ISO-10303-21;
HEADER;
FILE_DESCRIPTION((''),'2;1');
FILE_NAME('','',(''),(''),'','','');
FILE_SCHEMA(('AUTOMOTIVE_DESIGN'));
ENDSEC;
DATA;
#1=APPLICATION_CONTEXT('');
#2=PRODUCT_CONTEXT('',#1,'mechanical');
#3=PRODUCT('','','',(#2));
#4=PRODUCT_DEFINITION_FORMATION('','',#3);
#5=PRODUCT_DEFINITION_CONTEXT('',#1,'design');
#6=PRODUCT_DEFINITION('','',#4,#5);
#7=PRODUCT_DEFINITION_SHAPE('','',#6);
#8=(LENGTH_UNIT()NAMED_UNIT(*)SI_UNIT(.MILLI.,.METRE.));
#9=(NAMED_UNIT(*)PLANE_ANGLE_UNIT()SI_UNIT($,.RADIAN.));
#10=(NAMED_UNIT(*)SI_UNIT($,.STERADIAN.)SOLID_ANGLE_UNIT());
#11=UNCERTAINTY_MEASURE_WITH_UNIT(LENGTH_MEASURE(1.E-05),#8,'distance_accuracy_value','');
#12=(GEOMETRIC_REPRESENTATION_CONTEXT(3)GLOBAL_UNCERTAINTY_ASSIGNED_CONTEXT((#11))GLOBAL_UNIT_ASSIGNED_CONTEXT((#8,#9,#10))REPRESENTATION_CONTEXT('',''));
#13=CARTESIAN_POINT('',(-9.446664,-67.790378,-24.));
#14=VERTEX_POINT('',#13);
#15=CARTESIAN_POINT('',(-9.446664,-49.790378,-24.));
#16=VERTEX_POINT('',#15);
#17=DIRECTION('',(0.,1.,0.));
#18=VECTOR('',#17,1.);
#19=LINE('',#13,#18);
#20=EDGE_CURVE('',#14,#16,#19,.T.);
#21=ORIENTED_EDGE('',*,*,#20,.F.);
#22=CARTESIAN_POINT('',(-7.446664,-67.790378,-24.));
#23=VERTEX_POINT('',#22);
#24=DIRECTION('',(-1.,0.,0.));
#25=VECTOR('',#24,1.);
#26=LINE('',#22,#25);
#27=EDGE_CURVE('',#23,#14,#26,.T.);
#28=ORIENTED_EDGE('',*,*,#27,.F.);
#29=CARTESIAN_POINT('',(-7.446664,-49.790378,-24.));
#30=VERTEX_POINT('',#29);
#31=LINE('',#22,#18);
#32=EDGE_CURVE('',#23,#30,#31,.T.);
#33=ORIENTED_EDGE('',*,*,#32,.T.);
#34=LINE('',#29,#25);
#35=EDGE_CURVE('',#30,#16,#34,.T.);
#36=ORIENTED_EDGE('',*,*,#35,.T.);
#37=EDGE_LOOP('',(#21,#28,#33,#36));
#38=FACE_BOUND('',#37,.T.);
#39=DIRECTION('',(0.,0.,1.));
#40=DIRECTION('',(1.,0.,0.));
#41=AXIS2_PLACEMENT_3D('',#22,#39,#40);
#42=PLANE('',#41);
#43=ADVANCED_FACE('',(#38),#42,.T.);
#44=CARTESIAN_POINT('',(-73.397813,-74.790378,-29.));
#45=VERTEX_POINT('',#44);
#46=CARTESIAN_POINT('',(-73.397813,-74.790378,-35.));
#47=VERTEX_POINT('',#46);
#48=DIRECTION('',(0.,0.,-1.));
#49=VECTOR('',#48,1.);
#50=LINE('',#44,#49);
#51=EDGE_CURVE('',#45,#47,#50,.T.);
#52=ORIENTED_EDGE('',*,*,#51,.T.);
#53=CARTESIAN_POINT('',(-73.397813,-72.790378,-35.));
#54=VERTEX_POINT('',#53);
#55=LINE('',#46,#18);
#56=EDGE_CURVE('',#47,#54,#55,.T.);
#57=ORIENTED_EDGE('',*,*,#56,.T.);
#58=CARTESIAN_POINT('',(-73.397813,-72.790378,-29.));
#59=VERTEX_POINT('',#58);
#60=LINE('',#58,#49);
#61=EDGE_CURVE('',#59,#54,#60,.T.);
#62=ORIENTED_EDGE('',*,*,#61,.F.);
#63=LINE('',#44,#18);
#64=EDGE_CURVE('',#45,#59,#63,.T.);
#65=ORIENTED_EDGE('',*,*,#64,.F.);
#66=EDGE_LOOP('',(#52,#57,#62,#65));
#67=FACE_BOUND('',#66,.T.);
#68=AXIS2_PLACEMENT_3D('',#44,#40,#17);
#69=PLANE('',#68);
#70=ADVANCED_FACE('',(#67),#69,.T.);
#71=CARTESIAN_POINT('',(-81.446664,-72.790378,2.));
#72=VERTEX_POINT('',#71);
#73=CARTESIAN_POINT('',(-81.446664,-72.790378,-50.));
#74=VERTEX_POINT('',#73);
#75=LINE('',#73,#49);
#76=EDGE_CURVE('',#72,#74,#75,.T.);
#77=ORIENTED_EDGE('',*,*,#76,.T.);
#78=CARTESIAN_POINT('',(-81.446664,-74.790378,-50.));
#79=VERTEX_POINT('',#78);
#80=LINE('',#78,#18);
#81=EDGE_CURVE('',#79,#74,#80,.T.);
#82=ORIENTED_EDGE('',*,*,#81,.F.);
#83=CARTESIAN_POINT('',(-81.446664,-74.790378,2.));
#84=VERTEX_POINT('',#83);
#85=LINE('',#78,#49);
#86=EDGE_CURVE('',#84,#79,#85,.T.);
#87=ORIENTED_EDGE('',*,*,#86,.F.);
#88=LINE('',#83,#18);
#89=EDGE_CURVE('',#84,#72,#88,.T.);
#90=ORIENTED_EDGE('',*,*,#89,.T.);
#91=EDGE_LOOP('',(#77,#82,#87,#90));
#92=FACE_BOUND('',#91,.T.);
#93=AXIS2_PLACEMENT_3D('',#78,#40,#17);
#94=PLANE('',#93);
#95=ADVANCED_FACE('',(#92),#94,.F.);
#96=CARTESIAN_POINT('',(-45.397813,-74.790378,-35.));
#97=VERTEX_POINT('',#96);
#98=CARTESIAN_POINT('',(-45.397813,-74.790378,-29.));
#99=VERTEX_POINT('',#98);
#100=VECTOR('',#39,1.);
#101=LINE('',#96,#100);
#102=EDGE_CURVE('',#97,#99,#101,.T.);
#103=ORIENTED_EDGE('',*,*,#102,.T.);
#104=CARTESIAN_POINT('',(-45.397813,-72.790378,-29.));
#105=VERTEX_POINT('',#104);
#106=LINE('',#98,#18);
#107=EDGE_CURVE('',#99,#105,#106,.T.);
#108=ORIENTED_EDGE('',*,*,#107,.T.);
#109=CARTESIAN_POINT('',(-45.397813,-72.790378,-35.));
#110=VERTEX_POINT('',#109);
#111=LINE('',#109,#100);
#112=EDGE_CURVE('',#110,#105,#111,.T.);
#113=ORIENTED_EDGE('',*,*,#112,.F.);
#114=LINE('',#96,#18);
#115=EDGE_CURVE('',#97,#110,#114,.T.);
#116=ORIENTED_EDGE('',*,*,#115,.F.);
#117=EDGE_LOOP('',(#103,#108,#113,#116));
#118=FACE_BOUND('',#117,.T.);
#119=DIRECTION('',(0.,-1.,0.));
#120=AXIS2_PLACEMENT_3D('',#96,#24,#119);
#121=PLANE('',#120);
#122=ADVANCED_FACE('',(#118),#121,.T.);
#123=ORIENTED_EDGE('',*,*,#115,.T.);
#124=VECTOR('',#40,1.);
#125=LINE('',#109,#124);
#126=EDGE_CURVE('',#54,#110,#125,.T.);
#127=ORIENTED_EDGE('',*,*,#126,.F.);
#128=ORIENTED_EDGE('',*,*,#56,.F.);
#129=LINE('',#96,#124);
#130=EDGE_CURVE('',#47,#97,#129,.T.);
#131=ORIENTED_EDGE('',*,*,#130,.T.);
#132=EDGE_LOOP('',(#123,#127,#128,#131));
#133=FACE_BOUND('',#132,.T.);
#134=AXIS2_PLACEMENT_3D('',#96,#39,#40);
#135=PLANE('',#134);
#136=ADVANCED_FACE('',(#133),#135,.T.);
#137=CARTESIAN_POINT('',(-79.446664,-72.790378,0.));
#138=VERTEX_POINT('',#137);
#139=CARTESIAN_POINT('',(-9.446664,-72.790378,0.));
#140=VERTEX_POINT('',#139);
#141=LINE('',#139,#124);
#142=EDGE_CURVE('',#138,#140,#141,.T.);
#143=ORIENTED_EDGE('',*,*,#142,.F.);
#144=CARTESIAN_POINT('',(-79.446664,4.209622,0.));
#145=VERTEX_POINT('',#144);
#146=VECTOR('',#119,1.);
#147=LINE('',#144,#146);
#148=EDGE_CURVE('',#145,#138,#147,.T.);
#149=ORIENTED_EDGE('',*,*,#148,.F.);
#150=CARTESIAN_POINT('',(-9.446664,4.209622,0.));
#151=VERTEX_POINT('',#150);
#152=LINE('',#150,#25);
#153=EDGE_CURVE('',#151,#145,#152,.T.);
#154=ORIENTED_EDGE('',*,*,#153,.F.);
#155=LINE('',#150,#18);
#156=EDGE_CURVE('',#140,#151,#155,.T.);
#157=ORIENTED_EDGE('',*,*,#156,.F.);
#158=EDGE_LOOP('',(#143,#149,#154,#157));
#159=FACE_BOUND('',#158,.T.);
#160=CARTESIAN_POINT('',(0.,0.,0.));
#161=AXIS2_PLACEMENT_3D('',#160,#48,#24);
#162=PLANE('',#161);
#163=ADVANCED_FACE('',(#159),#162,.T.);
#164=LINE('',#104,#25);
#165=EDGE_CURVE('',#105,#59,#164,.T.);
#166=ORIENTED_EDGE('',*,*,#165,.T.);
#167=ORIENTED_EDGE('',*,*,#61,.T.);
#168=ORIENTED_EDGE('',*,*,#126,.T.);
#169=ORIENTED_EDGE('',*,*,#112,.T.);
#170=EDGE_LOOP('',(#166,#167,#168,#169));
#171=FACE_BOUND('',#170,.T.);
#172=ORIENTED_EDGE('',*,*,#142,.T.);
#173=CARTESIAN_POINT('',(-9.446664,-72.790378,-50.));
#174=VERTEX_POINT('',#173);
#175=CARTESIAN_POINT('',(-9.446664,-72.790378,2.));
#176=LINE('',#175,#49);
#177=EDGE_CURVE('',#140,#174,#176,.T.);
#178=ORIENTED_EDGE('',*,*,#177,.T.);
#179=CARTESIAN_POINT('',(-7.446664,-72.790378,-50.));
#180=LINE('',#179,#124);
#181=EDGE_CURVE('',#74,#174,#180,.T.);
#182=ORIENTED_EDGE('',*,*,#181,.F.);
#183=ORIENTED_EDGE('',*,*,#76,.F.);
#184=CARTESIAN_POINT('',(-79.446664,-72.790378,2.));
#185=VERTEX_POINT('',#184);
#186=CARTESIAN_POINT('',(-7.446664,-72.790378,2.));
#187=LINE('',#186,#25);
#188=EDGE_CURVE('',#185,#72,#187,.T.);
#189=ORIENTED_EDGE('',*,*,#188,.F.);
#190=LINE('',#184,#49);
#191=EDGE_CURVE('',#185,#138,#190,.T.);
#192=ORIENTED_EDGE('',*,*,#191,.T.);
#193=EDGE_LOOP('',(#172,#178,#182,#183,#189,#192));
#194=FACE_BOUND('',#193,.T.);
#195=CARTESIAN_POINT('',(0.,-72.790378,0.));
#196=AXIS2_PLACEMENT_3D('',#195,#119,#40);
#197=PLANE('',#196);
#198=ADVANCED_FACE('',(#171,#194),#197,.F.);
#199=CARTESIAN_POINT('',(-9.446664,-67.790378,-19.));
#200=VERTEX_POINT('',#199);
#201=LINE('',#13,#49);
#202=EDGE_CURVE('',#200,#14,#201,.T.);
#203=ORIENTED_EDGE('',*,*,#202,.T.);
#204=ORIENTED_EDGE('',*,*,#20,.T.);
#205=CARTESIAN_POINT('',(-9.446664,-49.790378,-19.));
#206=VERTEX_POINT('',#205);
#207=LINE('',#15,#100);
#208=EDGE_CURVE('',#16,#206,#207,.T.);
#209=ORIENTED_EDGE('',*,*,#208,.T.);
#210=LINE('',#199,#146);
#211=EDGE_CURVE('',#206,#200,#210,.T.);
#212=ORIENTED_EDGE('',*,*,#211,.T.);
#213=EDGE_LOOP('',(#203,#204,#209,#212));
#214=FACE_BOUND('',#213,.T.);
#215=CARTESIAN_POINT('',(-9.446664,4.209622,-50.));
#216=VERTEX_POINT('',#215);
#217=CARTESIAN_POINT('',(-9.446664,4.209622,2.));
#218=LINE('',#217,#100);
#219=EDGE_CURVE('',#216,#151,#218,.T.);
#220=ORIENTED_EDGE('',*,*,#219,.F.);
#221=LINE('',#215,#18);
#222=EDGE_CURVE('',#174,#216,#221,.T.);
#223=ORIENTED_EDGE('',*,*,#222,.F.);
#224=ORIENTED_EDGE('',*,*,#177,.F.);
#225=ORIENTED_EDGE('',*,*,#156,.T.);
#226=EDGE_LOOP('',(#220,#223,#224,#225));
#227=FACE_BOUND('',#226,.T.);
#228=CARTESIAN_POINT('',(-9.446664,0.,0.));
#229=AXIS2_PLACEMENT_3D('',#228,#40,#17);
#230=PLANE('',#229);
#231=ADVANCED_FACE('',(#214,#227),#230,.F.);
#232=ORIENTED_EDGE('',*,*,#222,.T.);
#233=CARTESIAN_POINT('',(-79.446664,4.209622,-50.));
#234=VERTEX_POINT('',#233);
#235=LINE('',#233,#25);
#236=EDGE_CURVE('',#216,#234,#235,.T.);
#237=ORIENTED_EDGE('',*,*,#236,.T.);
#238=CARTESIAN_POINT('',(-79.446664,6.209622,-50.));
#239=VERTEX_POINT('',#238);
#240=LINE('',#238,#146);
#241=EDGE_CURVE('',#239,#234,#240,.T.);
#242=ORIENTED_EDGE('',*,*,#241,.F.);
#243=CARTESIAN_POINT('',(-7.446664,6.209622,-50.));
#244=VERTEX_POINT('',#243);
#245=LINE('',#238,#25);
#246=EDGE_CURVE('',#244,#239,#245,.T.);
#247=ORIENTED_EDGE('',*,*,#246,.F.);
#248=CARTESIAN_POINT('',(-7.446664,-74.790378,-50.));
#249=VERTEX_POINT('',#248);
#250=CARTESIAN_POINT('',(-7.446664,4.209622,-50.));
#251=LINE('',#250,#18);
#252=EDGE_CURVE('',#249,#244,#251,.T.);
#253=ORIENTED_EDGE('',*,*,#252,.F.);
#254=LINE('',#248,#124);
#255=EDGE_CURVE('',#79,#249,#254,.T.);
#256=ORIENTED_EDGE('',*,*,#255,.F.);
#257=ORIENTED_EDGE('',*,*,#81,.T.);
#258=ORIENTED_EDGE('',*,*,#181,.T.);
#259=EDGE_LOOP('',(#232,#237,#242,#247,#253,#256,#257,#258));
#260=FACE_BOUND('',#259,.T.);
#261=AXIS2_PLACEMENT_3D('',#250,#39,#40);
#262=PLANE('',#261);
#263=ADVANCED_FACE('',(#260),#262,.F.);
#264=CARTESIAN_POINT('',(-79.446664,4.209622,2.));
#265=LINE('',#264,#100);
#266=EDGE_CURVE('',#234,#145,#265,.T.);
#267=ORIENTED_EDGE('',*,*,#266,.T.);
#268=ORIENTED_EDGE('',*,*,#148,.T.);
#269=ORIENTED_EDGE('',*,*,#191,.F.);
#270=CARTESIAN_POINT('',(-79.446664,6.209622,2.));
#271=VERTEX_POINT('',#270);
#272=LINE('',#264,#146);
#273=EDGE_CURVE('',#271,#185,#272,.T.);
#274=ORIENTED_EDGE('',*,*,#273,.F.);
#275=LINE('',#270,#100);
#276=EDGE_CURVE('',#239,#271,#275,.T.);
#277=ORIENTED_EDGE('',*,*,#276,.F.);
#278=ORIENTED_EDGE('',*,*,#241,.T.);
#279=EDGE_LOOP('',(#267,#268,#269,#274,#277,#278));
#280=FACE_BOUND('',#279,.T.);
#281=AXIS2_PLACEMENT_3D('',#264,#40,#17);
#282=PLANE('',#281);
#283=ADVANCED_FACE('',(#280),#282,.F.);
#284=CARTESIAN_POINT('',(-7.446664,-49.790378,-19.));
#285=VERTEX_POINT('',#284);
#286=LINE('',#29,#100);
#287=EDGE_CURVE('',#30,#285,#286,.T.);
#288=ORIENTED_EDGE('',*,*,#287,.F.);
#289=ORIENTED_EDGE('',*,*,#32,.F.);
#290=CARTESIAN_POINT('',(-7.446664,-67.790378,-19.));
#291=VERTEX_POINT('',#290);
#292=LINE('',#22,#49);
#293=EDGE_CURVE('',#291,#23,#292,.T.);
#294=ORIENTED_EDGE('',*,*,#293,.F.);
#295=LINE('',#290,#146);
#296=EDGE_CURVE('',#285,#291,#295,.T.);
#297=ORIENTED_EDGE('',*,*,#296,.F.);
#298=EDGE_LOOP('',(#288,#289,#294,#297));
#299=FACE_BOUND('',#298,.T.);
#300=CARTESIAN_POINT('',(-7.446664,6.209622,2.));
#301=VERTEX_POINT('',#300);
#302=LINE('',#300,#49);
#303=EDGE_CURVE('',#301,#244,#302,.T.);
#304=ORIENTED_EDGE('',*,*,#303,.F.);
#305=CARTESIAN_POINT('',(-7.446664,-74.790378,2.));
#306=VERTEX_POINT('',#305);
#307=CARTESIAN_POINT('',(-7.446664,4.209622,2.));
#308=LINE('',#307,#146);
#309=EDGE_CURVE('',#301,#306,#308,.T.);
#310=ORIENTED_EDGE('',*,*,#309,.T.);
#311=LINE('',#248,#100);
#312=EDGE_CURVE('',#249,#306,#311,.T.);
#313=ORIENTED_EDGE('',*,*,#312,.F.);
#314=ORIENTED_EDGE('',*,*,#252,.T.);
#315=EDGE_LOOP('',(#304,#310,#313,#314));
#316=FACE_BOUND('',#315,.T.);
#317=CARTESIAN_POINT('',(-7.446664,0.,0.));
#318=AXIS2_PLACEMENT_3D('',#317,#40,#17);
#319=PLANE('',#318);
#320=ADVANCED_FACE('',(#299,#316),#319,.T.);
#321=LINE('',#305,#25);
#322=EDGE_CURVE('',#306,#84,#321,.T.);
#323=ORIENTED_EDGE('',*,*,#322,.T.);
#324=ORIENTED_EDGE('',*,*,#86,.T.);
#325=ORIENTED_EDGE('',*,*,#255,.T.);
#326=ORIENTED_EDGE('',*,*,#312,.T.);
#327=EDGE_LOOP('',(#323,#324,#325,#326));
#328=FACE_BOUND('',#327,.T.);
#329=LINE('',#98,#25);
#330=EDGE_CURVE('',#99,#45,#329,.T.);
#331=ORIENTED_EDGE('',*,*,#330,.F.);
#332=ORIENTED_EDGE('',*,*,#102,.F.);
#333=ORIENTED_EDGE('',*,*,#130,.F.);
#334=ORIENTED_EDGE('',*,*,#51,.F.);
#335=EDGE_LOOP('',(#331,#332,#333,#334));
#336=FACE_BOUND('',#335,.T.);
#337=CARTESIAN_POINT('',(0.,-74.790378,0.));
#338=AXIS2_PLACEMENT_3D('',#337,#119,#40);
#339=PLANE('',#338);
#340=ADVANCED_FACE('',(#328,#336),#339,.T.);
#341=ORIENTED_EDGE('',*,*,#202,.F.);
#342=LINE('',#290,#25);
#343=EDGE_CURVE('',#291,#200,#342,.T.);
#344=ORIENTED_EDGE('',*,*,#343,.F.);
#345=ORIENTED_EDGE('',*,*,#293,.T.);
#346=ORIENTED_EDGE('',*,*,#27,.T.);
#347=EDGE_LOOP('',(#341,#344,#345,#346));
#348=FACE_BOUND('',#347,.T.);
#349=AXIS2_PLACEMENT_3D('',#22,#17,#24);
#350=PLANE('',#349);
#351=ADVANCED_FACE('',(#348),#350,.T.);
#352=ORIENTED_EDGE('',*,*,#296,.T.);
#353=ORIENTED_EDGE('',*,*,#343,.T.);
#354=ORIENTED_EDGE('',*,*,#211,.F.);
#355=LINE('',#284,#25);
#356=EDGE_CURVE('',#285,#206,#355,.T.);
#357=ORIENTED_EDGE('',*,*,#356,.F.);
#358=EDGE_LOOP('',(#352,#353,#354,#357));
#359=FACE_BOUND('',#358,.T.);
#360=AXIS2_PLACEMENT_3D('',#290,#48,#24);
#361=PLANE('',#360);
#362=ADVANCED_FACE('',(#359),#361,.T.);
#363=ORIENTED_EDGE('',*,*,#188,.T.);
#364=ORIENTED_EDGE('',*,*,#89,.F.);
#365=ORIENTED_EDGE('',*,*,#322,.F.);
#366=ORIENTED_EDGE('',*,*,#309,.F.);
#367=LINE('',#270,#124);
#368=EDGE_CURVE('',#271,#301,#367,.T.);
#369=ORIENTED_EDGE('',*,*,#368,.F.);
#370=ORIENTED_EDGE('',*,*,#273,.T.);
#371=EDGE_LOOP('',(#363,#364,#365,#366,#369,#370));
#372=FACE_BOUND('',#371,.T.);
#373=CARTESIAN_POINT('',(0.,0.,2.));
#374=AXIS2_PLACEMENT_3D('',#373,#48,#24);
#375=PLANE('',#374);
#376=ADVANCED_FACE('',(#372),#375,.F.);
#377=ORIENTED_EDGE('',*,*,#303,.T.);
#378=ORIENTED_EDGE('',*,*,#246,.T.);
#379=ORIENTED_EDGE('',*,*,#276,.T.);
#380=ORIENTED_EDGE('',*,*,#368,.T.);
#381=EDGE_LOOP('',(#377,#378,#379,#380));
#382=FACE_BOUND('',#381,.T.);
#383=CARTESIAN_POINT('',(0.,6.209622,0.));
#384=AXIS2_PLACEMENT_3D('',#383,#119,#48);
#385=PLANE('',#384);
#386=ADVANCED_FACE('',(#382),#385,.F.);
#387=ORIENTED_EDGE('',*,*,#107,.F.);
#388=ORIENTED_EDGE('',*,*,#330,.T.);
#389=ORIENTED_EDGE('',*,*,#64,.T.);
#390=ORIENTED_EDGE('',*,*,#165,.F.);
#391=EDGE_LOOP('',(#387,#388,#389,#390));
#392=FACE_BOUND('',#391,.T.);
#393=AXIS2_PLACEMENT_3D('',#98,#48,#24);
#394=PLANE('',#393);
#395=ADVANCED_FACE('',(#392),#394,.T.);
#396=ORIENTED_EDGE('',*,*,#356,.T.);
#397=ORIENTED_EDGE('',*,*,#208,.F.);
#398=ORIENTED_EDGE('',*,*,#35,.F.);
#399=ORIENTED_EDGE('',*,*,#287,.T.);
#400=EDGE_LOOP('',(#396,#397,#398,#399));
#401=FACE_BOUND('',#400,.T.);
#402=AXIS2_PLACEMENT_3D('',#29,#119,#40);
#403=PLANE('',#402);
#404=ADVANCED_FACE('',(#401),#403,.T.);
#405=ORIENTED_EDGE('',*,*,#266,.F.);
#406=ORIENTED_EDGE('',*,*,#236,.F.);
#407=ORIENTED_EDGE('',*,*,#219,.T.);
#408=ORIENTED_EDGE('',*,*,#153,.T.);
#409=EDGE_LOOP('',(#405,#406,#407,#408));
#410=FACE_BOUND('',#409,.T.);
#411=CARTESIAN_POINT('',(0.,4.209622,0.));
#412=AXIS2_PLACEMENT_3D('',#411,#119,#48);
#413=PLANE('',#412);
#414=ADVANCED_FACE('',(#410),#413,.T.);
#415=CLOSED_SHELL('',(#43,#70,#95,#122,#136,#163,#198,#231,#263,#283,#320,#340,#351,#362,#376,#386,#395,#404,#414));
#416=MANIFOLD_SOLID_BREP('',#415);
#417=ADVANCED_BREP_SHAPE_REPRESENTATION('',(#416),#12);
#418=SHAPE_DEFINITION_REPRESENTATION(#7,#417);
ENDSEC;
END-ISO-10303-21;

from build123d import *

# Parameters (mm, degrees)
SKIZZE1_W                       = 70
SKIZZE1_H                       = 77
AUFSATZ_LINEAR_AUSTRAGEN1_DEPTH = 2
SKIZZE2_W                       = 52
SKIZZE2_H                       = 77
SKIZZE2_W_2                     = 5
SKIZZE2_H_2                     = 18
AUFSATZ_LINEAR_AUSTRAGEN2_DEPTH = 2
SKIZZE3_W                       = 74
SKIZZE3_H                       = 52
SKIZZE3_W_2                     = 28
SKIZZE3_H_2                     = 6
AUFSATZ_LINEAR_AUSTRAGEN3_DEPTH = 2
SKIZZE9_W                       = 72
SKIZZE9_H                       = 52
AUFSATZ_LINEAR_AUSTRAGEN7_DEPTH = 2


with BuildPart() as part:
    # Skizze1 → Aufsatz-Linear austragen1 (new body)
    with BuildSketch(Plane.XY):
        with Locations((-44.446663724, -34.290378007)):
            Rectangle(SKIZZE1_W, SKIZZE1_H)
    extrude(amount=AUFSATZ_LINEAR_AUSTRAGEN1_DEPTH)

    # Skizze2 → Aufsatz-Linear austragen2 (add)
    with BuildSketch(Plane(origin=(-9.446663724, 0, 0), x_dir=(0, 0, -1), z_dir=(1, 0, 0))):
        with Locations((24, -34.290378007)):
            Rectangle(SKIZZE2_W, SKIZZE2_H)
        with Locations((21.5, -58.790378007)):
            Rectangle(SKIZZE2_W_2, SKIZZE2_H_2, mode=Mode.SUBTRACT)
    extrude(amount=AUFSATZ_LINEAR_AUSTRAGEN2_DEPTH)

    # Skizze3 → Aufsatz-Linear austragen3 (add)
    with BuildSketch(Plane.XZ.offset(72.790378007)):
        with Locations((-44.446663724, -24)):
            Rectangle(SKIZZE3_W, SKIZZE3_H)
        with Locations((-59.397812879, -32)):
            Rectangle(SKIZZE3_W_2, SKIZZE3_H_2, mode=Mode.SUBTRACT)
    extrude(amount=AUFSATZ_LINEAR_AUSTRAGEN3_DEPTH)

    # Skizze9 → Aufsatz-Linear austragen7 (add)
    with BuildSketch(Plane(origin=(0, 4.209621993, 0), x_dir=(1, 0, 0), z_dir=(0, 1, 0))):
        with Locations((-43.446663724, 24)):
            Rectangle(SKIZZE9_W, SKIZZE9_H)
    extrude(amount=AUFSATZ_LINEAR_AUSTRAGEN7_DEPTH)


solid = part.part
